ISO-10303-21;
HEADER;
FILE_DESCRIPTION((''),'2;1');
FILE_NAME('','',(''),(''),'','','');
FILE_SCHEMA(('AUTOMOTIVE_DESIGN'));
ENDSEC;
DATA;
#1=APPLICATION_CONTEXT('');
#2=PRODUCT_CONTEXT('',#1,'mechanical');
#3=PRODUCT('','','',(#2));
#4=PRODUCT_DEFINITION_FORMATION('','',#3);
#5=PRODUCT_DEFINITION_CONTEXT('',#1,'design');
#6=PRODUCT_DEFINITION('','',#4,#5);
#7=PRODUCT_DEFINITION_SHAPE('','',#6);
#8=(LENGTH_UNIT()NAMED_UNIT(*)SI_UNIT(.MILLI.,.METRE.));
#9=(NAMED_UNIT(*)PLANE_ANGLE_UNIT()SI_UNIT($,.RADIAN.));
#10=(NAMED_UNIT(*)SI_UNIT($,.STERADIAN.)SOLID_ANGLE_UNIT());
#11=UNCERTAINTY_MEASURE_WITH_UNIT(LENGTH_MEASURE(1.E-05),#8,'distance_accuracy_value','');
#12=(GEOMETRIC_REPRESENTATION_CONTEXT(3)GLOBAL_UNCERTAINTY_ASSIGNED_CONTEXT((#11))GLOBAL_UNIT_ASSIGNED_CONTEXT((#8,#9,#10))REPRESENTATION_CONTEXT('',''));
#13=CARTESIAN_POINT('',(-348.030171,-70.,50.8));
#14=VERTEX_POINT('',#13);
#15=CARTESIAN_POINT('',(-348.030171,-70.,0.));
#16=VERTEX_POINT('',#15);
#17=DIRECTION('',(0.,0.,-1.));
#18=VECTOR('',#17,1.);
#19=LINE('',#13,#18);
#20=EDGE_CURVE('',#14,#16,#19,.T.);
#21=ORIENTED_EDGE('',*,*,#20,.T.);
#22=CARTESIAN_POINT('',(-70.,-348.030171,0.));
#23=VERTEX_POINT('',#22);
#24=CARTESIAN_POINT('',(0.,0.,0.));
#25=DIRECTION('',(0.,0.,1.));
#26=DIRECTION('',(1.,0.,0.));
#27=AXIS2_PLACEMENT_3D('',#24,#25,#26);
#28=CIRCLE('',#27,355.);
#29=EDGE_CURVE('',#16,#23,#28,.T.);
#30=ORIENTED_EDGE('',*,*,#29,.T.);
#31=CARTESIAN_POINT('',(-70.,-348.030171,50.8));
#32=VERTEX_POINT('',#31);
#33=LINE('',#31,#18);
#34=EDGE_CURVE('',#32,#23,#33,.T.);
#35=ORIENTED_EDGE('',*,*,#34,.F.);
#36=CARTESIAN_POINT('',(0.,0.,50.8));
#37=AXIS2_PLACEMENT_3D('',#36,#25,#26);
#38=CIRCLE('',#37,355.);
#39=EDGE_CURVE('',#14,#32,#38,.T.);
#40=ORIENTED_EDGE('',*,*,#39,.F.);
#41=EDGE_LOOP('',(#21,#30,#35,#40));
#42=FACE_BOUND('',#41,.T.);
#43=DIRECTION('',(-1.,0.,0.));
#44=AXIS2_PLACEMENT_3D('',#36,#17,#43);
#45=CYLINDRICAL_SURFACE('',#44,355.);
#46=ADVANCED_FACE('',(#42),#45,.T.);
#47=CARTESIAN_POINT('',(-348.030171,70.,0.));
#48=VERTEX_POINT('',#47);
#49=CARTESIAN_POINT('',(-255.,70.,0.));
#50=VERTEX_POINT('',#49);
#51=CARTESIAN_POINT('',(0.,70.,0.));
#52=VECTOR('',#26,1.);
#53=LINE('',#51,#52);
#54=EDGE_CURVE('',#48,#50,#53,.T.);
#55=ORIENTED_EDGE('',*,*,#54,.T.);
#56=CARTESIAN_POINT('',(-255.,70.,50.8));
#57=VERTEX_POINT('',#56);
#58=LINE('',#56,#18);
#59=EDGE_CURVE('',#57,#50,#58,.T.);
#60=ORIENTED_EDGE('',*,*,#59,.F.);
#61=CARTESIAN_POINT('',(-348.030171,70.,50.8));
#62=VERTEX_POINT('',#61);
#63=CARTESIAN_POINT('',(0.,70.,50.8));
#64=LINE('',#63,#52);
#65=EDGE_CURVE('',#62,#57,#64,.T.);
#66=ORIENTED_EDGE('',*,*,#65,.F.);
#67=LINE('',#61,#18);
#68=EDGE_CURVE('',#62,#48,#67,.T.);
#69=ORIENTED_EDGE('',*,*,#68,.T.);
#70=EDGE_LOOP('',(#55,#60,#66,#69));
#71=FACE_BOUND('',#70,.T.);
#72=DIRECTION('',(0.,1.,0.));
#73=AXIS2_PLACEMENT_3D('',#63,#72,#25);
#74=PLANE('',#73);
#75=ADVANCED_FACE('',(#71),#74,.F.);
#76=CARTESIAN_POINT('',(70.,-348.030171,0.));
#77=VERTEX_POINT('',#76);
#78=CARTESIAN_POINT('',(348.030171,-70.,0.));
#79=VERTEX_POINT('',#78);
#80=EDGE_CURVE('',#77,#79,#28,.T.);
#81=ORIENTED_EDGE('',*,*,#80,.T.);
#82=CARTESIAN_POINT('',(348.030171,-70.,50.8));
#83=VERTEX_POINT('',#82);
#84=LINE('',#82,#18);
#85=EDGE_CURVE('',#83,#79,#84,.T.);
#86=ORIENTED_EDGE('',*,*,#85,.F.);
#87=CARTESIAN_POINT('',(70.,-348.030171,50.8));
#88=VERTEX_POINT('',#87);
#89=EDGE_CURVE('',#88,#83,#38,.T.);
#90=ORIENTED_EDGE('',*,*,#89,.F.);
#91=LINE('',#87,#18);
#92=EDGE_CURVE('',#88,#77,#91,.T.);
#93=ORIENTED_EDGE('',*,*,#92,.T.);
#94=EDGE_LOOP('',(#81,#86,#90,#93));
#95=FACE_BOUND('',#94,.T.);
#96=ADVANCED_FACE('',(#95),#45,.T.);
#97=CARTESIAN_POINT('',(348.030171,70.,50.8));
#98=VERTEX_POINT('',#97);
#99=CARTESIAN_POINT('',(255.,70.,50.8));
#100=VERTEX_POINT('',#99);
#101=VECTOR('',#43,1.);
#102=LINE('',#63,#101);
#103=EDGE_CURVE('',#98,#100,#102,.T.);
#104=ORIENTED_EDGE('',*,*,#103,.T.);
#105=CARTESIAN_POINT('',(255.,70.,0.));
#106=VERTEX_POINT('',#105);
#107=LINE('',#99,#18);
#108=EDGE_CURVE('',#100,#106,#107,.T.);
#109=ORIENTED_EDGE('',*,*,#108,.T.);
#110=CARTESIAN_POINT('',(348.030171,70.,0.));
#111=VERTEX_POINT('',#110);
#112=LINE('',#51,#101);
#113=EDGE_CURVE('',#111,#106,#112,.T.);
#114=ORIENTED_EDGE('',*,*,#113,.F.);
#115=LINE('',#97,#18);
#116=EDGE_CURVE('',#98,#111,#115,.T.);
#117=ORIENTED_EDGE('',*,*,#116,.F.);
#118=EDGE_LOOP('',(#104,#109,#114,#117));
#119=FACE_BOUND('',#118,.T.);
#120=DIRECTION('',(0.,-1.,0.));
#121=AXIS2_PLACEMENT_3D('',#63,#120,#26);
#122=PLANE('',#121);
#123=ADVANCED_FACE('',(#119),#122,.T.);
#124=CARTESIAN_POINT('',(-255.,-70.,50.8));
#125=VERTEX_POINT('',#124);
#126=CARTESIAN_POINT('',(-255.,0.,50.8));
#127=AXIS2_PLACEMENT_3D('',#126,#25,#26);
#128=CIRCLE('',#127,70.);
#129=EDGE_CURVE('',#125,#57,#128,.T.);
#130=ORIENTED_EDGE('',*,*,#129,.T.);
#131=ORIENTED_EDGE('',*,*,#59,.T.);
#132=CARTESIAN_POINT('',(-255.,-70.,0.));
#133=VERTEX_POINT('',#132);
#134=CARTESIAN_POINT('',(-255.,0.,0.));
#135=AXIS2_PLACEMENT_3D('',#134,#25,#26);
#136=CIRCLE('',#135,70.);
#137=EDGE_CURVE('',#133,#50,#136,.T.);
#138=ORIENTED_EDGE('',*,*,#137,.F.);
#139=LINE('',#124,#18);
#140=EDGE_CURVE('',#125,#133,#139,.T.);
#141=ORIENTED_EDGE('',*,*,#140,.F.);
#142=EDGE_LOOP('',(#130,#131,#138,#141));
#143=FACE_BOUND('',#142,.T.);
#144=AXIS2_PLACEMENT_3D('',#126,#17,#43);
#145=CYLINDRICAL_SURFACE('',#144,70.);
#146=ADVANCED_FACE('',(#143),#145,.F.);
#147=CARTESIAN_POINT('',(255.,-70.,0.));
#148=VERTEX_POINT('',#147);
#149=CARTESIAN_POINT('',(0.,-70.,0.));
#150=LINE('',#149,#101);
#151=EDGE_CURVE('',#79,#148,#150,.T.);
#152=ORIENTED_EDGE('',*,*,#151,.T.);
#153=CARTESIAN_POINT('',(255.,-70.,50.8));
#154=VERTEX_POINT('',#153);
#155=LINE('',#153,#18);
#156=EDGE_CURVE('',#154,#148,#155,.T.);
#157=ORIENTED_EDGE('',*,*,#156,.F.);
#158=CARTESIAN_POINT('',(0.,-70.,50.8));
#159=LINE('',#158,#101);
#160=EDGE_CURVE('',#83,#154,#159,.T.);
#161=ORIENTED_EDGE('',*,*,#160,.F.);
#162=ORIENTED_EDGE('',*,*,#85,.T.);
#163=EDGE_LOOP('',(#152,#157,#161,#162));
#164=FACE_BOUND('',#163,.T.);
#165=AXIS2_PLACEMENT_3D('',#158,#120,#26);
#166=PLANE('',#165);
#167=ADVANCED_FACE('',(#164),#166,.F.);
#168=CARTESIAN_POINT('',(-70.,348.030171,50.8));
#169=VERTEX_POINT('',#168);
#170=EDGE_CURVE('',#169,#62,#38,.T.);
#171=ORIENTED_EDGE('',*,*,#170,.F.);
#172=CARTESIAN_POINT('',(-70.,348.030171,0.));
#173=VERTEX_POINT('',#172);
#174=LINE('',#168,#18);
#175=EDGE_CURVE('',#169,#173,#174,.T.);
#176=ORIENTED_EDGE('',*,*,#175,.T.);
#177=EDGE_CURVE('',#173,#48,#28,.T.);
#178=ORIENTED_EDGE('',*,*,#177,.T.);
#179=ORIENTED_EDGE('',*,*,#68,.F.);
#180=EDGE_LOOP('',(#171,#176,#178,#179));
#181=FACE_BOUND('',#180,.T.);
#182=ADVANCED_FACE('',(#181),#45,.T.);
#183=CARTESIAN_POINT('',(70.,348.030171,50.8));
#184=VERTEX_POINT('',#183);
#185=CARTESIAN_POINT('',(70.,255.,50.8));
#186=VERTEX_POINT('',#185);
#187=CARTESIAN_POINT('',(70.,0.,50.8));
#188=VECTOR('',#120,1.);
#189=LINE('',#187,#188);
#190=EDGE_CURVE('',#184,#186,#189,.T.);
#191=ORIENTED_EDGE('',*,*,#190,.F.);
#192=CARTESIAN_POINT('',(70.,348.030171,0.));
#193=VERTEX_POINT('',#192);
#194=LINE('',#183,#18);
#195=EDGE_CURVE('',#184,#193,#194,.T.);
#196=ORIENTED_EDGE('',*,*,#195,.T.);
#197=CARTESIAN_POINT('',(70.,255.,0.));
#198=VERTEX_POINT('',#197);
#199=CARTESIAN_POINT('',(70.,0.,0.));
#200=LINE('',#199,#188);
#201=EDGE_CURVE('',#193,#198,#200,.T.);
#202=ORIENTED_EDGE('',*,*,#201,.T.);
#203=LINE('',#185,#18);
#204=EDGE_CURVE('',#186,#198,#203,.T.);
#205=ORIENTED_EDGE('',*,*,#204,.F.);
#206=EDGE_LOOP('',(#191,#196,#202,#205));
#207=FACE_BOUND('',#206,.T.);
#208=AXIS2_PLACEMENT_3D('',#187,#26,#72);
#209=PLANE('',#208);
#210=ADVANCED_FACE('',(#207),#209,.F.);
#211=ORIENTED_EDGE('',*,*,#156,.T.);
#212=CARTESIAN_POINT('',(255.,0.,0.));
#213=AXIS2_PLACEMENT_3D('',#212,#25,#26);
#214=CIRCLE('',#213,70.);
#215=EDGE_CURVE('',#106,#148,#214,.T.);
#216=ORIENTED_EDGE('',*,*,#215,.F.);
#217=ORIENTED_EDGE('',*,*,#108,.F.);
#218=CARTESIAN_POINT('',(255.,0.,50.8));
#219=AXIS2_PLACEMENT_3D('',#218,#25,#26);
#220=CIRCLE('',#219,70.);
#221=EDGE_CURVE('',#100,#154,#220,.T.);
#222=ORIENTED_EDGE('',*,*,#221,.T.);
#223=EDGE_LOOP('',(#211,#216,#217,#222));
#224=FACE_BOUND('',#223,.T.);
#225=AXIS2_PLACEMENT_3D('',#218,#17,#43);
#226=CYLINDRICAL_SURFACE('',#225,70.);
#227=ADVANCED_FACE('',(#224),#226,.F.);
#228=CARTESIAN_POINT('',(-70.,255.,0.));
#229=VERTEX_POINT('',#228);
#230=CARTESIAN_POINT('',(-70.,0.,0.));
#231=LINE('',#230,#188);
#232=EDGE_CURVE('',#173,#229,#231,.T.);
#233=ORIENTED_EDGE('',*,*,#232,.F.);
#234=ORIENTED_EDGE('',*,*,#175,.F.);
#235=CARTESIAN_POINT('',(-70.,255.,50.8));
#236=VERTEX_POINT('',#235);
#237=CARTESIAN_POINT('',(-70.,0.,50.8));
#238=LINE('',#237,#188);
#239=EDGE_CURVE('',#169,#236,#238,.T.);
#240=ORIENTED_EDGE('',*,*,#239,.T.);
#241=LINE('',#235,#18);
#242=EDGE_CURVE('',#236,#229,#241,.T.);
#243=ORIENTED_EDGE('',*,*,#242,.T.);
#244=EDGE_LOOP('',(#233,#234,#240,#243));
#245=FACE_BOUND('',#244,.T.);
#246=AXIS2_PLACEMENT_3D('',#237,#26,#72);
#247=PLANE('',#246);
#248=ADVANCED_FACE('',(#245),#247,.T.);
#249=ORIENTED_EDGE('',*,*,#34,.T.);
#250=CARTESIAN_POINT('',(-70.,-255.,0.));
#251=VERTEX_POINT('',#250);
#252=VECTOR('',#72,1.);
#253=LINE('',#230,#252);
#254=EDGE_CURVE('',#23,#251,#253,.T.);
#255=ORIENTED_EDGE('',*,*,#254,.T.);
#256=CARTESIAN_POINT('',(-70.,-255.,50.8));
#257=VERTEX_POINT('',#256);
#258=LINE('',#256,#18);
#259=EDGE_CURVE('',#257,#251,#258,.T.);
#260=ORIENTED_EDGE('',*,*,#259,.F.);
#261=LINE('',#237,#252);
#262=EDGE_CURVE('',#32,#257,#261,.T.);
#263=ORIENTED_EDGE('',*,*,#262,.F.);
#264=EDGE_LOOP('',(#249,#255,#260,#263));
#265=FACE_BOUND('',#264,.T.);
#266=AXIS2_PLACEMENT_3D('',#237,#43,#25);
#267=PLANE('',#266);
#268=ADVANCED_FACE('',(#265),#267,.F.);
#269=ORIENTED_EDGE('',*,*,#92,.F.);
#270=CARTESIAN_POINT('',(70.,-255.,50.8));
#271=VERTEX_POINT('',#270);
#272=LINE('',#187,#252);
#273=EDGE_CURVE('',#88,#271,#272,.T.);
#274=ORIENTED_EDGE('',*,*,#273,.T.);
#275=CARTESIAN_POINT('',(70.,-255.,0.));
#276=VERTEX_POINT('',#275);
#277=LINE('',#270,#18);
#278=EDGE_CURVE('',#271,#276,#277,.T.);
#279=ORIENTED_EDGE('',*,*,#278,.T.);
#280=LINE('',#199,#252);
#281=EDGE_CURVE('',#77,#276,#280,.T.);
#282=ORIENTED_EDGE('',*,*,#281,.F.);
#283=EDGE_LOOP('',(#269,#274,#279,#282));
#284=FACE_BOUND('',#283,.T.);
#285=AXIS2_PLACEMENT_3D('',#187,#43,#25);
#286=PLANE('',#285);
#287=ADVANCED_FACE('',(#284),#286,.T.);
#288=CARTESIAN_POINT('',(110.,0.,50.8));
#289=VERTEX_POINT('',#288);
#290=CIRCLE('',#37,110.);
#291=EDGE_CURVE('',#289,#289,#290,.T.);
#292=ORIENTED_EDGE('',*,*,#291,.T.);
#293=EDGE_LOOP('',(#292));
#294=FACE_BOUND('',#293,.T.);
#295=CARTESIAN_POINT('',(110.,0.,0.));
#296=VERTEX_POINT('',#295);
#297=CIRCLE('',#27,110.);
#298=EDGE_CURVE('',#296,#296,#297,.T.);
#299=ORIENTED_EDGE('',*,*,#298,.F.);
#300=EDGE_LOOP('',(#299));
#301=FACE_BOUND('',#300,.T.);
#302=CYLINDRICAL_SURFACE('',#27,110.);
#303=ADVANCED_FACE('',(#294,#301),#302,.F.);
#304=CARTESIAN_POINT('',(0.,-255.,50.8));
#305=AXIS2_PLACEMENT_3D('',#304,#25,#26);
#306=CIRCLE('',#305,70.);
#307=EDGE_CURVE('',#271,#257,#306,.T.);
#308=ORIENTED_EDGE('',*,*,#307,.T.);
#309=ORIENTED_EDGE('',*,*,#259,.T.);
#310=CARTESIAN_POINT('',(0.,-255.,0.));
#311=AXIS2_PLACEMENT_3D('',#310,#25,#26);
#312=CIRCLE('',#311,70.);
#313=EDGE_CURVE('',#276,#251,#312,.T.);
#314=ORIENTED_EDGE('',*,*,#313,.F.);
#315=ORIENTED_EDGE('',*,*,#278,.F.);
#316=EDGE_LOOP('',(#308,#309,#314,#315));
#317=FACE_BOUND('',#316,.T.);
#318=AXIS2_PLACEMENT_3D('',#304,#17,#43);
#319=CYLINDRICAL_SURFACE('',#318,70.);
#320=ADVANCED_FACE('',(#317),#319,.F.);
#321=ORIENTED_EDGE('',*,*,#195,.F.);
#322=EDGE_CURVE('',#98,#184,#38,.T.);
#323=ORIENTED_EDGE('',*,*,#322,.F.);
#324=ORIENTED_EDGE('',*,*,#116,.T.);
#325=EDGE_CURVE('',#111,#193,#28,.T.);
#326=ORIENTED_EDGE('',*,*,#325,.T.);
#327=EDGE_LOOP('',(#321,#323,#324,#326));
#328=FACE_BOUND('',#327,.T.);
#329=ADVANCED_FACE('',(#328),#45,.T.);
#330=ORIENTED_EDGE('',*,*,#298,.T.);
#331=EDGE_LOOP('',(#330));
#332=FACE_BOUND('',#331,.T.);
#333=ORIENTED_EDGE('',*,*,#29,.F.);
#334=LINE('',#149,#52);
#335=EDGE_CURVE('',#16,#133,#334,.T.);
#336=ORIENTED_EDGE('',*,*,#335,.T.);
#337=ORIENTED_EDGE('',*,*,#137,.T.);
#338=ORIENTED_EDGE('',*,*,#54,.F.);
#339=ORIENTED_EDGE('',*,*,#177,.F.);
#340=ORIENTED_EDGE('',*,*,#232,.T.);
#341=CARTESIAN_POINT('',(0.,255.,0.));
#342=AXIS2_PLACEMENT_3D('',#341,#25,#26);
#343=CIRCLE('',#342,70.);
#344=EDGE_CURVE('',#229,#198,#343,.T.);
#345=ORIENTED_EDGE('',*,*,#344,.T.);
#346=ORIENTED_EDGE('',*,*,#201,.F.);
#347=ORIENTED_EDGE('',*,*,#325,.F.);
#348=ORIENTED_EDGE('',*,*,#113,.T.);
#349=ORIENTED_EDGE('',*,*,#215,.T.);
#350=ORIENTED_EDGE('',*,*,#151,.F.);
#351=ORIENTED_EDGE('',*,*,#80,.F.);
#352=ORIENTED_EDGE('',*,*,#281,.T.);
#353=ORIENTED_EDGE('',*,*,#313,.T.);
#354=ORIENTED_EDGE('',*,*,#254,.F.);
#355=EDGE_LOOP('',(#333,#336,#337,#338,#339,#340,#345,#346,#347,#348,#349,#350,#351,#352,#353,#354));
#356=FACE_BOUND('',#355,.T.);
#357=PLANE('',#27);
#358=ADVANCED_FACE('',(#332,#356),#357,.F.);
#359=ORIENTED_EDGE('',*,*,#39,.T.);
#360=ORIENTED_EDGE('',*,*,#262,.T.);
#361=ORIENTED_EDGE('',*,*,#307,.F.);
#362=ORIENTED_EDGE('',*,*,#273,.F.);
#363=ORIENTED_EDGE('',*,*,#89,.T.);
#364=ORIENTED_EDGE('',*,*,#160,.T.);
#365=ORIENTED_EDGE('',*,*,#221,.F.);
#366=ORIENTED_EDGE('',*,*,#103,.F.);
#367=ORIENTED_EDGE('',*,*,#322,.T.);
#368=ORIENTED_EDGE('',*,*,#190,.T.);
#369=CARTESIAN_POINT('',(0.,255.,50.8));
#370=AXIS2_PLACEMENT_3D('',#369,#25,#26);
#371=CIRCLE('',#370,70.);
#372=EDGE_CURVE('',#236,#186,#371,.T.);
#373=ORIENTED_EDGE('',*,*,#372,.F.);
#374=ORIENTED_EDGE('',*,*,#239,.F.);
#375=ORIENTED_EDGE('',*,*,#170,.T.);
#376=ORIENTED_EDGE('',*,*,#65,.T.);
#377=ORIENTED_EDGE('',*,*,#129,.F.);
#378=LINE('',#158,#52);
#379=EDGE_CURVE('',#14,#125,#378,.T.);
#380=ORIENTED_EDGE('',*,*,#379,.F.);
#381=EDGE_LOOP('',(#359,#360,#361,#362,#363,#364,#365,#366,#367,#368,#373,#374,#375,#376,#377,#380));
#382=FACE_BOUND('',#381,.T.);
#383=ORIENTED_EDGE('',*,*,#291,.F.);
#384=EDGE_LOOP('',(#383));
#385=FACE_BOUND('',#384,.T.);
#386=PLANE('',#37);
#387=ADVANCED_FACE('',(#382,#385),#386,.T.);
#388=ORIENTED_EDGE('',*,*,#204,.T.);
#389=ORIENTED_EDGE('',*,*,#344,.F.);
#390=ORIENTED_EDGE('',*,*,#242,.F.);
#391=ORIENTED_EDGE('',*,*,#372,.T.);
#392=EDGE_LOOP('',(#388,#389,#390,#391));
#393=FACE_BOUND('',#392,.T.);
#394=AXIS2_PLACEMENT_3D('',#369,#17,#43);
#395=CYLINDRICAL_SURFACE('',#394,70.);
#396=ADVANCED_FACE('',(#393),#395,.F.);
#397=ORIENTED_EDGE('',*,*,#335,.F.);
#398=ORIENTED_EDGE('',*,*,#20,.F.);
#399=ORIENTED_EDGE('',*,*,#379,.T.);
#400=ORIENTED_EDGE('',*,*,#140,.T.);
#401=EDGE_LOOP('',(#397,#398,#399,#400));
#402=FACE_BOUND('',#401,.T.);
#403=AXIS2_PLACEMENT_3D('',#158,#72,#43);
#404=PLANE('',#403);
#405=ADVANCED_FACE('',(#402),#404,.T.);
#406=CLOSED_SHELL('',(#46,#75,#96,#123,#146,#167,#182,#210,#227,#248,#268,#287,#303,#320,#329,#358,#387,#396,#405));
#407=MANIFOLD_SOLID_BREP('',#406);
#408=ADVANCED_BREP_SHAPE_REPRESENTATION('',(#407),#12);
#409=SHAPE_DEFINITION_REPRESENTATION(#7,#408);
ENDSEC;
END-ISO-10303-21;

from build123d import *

# Parameters (mm, degrees)
BOSS_EXTRUDE1_DEPTH = 50.8
SKETCH2_R           = 110
CUT_EXTRUDE1_DEPTH  = 495.80363782


with BuildPart() as part:
    # Sketch1 → Boss-Extrude1 (new body)
    with BuildSketch(Plane.XY):
        with BuildLine():
            ThreePointArc((348.030171106, 70), (251.022907321, 251.022907321), (70, 348.030171106))
            Line((70, 348.030171106), (70, 255))
            ThreePointArc((70, 255), (0, 185), (-70, 255))
            Line((-70, 255), (-70, 348.030171106))
            ThreePointArc((-70, 348.030171106), (-251.022907321, 251.022907321), (-348.030171106, 70))
            Line((-348.030171106, 70), (-255, 70))
            ThreePointArc((-255, 70), (-185, 0), (-255, -70))
            Line((-255, -70), (-348.030171106, -70))
            ThreePointArc((-348.030171106, -70), (-251.022907321, -251.022907321), (-70, -348.030171106))
            Line((-70, -348.030171106), (-70, -255))
            ThreePointArc((-70, -255), (0, -185), (70, -255))
            Line((70, -255), (70, -348.030171106))
            ThreePointArc((70, -348.030171106), (251.022907321, -251.022907321), (348.030171106, -70))
            Line((348.030171106, -70), (255, -70))
            ThreePointArc((255, -70), (185, 0), (255, 70))
            Line((255, 70), (348.030171106, 70))
        make_face()
    extrude(amount=BOSS_EXTRUDE1_DEPTH)

    # Sketch2 → Cut-Extrude1 (cut, through all)
    with BuildSketch(Plane.XY.offset(50.8)):
        Circle(SKETCH2_R)
    extrude(amount=-CUT_EXTRUDE1_DEPTH, mode=Mode.SUBTRACT)


solid = part.part
